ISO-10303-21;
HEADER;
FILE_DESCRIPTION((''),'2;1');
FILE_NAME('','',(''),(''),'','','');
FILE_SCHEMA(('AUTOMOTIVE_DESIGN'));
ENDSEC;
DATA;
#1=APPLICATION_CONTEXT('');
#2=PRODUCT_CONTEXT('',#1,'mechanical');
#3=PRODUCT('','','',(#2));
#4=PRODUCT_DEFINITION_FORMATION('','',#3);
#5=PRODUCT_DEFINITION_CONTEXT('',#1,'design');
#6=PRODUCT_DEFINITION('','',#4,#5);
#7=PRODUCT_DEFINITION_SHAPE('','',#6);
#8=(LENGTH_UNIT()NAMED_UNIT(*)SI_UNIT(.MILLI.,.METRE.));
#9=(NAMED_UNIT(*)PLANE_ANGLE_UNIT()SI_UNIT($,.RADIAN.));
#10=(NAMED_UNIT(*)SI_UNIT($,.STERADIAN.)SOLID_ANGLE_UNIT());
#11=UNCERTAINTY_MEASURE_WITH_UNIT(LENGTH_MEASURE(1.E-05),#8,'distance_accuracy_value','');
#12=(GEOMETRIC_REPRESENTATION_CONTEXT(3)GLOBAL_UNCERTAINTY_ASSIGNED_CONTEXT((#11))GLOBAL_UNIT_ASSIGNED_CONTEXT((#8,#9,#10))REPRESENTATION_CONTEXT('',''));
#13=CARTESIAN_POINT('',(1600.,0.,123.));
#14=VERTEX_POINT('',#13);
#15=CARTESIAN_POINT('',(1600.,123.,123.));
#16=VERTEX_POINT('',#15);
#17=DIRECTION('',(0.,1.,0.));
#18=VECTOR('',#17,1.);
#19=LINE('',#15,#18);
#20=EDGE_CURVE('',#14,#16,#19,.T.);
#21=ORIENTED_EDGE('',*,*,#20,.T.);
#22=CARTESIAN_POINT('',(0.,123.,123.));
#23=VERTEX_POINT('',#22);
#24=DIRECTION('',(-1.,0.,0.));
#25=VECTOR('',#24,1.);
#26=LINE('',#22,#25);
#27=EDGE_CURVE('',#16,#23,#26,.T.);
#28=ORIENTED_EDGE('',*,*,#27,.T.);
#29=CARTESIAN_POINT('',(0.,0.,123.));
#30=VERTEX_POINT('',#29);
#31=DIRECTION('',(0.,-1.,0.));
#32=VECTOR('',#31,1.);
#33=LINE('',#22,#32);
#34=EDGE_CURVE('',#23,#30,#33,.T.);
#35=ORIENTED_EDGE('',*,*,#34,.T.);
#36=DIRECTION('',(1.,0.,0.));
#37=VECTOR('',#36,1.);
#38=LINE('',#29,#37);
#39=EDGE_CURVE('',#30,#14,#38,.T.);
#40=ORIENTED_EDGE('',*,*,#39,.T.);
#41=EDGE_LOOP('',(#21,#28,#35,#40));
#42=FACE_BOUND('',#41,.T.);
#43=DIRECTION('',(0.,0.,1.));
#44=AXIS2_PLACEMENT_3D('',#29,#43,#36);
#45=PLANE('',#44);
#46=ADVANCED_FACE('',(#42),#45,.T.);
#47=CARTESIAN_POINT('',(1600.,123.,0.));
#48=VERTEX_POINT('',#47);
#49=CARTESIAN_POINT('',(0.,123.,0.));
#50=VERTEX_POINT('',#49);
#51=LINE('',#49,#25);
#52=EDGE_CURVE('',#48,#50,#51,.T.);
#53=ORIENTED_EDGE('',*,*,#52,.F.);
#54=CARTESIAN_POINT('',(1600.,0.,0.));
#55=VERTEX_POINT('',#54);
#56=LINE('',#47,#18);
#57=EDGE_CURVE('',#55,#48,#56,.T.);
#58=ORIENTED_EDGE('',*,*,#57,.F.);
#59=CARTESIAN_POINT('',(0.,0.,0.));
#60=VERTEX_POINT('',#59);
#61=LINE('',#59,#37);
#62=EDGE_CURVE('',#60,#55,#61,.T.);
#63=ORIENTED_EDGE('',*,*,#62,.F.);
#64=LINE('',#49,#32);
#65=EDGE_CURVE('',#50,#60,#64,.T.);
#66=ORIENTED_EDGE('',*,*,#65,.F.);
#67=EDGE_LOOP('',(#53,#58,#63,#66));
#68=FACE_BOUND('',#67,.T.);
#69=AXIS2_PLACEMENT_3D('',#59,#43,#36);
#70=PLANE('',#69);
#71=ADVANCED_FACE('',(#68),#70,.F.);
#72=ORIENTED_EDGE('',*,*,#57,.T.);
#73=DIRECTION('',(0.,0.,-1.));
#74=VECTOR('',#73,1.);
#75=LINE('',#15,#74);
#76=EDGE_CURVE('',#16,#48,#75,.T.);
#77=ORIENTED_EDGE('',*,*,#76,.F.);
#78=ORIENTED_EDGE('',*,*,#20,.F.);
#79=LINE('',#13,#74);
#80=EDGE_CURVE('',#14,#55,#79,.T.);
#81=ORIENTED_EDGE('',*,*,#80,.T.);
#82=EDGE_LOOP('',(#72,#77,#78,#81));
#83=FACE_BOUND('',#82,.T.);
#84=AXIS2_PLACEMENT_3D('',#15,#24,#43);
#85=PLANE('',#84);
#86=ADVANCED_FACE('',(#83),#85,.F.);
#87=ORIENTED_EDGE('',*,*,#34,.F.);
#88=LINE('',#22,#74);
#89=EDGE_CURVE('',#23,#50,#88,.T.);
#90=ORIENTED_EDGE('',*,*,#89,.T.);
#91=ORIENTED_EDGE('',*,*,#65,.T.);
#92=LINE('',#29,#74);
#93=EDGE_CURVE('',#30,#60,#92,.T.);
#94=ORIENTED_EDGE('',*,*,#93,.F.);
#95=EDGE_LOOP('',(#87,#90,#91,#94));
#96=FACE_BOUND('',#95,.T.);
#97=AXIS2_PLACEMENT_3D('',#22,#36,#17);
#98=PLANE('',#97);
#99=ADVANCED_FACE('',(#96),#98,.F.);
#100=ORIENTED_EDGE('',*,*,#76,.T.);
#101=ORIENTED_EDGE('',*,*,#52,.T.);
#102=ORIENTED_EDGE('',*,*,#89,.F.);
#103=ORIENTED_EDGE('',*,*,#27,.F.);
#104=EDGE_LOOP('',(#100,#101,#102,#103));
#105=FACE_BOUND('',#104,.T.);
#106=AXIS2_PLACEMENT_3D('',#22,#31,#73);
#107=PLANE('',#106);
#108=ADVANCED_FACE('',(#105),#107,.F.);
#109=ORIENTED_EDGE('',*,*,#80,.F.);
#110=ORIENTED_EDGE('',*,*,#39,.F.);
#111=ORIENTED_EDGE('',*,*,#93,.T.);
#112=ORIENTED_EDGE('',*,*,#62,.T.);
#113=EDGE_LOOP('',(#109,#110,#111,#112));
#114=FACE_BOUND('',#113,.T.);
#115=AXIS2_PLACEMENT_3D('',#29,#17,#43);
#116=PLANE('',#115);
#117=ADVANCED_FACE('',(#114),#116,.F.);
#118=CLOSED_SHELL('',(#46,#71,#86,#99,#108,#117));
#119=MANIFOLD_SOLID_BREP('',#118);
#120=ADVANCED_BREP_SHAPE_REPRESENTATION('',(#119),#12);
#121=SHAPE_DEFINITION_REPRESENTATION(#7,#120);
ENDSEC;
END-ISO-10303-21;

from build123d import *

# Parameters (mm, degrees)
SKETCH_1_W        = 1600
SKETCH_1_H        = 123
EXTRUDE_304_DEPTH = 123


with BuildPart() as part:
    # 草图1 → Extrude 304 (new body)
    with BuildSketch(Plane.XY):
        with Locations((800, 61.5)):
            Rectangle(SKETCH_1_W, SKETCH_1_H)
    extrude(amount=EXTRUDE_304_DEPTH)


solid = part.part
